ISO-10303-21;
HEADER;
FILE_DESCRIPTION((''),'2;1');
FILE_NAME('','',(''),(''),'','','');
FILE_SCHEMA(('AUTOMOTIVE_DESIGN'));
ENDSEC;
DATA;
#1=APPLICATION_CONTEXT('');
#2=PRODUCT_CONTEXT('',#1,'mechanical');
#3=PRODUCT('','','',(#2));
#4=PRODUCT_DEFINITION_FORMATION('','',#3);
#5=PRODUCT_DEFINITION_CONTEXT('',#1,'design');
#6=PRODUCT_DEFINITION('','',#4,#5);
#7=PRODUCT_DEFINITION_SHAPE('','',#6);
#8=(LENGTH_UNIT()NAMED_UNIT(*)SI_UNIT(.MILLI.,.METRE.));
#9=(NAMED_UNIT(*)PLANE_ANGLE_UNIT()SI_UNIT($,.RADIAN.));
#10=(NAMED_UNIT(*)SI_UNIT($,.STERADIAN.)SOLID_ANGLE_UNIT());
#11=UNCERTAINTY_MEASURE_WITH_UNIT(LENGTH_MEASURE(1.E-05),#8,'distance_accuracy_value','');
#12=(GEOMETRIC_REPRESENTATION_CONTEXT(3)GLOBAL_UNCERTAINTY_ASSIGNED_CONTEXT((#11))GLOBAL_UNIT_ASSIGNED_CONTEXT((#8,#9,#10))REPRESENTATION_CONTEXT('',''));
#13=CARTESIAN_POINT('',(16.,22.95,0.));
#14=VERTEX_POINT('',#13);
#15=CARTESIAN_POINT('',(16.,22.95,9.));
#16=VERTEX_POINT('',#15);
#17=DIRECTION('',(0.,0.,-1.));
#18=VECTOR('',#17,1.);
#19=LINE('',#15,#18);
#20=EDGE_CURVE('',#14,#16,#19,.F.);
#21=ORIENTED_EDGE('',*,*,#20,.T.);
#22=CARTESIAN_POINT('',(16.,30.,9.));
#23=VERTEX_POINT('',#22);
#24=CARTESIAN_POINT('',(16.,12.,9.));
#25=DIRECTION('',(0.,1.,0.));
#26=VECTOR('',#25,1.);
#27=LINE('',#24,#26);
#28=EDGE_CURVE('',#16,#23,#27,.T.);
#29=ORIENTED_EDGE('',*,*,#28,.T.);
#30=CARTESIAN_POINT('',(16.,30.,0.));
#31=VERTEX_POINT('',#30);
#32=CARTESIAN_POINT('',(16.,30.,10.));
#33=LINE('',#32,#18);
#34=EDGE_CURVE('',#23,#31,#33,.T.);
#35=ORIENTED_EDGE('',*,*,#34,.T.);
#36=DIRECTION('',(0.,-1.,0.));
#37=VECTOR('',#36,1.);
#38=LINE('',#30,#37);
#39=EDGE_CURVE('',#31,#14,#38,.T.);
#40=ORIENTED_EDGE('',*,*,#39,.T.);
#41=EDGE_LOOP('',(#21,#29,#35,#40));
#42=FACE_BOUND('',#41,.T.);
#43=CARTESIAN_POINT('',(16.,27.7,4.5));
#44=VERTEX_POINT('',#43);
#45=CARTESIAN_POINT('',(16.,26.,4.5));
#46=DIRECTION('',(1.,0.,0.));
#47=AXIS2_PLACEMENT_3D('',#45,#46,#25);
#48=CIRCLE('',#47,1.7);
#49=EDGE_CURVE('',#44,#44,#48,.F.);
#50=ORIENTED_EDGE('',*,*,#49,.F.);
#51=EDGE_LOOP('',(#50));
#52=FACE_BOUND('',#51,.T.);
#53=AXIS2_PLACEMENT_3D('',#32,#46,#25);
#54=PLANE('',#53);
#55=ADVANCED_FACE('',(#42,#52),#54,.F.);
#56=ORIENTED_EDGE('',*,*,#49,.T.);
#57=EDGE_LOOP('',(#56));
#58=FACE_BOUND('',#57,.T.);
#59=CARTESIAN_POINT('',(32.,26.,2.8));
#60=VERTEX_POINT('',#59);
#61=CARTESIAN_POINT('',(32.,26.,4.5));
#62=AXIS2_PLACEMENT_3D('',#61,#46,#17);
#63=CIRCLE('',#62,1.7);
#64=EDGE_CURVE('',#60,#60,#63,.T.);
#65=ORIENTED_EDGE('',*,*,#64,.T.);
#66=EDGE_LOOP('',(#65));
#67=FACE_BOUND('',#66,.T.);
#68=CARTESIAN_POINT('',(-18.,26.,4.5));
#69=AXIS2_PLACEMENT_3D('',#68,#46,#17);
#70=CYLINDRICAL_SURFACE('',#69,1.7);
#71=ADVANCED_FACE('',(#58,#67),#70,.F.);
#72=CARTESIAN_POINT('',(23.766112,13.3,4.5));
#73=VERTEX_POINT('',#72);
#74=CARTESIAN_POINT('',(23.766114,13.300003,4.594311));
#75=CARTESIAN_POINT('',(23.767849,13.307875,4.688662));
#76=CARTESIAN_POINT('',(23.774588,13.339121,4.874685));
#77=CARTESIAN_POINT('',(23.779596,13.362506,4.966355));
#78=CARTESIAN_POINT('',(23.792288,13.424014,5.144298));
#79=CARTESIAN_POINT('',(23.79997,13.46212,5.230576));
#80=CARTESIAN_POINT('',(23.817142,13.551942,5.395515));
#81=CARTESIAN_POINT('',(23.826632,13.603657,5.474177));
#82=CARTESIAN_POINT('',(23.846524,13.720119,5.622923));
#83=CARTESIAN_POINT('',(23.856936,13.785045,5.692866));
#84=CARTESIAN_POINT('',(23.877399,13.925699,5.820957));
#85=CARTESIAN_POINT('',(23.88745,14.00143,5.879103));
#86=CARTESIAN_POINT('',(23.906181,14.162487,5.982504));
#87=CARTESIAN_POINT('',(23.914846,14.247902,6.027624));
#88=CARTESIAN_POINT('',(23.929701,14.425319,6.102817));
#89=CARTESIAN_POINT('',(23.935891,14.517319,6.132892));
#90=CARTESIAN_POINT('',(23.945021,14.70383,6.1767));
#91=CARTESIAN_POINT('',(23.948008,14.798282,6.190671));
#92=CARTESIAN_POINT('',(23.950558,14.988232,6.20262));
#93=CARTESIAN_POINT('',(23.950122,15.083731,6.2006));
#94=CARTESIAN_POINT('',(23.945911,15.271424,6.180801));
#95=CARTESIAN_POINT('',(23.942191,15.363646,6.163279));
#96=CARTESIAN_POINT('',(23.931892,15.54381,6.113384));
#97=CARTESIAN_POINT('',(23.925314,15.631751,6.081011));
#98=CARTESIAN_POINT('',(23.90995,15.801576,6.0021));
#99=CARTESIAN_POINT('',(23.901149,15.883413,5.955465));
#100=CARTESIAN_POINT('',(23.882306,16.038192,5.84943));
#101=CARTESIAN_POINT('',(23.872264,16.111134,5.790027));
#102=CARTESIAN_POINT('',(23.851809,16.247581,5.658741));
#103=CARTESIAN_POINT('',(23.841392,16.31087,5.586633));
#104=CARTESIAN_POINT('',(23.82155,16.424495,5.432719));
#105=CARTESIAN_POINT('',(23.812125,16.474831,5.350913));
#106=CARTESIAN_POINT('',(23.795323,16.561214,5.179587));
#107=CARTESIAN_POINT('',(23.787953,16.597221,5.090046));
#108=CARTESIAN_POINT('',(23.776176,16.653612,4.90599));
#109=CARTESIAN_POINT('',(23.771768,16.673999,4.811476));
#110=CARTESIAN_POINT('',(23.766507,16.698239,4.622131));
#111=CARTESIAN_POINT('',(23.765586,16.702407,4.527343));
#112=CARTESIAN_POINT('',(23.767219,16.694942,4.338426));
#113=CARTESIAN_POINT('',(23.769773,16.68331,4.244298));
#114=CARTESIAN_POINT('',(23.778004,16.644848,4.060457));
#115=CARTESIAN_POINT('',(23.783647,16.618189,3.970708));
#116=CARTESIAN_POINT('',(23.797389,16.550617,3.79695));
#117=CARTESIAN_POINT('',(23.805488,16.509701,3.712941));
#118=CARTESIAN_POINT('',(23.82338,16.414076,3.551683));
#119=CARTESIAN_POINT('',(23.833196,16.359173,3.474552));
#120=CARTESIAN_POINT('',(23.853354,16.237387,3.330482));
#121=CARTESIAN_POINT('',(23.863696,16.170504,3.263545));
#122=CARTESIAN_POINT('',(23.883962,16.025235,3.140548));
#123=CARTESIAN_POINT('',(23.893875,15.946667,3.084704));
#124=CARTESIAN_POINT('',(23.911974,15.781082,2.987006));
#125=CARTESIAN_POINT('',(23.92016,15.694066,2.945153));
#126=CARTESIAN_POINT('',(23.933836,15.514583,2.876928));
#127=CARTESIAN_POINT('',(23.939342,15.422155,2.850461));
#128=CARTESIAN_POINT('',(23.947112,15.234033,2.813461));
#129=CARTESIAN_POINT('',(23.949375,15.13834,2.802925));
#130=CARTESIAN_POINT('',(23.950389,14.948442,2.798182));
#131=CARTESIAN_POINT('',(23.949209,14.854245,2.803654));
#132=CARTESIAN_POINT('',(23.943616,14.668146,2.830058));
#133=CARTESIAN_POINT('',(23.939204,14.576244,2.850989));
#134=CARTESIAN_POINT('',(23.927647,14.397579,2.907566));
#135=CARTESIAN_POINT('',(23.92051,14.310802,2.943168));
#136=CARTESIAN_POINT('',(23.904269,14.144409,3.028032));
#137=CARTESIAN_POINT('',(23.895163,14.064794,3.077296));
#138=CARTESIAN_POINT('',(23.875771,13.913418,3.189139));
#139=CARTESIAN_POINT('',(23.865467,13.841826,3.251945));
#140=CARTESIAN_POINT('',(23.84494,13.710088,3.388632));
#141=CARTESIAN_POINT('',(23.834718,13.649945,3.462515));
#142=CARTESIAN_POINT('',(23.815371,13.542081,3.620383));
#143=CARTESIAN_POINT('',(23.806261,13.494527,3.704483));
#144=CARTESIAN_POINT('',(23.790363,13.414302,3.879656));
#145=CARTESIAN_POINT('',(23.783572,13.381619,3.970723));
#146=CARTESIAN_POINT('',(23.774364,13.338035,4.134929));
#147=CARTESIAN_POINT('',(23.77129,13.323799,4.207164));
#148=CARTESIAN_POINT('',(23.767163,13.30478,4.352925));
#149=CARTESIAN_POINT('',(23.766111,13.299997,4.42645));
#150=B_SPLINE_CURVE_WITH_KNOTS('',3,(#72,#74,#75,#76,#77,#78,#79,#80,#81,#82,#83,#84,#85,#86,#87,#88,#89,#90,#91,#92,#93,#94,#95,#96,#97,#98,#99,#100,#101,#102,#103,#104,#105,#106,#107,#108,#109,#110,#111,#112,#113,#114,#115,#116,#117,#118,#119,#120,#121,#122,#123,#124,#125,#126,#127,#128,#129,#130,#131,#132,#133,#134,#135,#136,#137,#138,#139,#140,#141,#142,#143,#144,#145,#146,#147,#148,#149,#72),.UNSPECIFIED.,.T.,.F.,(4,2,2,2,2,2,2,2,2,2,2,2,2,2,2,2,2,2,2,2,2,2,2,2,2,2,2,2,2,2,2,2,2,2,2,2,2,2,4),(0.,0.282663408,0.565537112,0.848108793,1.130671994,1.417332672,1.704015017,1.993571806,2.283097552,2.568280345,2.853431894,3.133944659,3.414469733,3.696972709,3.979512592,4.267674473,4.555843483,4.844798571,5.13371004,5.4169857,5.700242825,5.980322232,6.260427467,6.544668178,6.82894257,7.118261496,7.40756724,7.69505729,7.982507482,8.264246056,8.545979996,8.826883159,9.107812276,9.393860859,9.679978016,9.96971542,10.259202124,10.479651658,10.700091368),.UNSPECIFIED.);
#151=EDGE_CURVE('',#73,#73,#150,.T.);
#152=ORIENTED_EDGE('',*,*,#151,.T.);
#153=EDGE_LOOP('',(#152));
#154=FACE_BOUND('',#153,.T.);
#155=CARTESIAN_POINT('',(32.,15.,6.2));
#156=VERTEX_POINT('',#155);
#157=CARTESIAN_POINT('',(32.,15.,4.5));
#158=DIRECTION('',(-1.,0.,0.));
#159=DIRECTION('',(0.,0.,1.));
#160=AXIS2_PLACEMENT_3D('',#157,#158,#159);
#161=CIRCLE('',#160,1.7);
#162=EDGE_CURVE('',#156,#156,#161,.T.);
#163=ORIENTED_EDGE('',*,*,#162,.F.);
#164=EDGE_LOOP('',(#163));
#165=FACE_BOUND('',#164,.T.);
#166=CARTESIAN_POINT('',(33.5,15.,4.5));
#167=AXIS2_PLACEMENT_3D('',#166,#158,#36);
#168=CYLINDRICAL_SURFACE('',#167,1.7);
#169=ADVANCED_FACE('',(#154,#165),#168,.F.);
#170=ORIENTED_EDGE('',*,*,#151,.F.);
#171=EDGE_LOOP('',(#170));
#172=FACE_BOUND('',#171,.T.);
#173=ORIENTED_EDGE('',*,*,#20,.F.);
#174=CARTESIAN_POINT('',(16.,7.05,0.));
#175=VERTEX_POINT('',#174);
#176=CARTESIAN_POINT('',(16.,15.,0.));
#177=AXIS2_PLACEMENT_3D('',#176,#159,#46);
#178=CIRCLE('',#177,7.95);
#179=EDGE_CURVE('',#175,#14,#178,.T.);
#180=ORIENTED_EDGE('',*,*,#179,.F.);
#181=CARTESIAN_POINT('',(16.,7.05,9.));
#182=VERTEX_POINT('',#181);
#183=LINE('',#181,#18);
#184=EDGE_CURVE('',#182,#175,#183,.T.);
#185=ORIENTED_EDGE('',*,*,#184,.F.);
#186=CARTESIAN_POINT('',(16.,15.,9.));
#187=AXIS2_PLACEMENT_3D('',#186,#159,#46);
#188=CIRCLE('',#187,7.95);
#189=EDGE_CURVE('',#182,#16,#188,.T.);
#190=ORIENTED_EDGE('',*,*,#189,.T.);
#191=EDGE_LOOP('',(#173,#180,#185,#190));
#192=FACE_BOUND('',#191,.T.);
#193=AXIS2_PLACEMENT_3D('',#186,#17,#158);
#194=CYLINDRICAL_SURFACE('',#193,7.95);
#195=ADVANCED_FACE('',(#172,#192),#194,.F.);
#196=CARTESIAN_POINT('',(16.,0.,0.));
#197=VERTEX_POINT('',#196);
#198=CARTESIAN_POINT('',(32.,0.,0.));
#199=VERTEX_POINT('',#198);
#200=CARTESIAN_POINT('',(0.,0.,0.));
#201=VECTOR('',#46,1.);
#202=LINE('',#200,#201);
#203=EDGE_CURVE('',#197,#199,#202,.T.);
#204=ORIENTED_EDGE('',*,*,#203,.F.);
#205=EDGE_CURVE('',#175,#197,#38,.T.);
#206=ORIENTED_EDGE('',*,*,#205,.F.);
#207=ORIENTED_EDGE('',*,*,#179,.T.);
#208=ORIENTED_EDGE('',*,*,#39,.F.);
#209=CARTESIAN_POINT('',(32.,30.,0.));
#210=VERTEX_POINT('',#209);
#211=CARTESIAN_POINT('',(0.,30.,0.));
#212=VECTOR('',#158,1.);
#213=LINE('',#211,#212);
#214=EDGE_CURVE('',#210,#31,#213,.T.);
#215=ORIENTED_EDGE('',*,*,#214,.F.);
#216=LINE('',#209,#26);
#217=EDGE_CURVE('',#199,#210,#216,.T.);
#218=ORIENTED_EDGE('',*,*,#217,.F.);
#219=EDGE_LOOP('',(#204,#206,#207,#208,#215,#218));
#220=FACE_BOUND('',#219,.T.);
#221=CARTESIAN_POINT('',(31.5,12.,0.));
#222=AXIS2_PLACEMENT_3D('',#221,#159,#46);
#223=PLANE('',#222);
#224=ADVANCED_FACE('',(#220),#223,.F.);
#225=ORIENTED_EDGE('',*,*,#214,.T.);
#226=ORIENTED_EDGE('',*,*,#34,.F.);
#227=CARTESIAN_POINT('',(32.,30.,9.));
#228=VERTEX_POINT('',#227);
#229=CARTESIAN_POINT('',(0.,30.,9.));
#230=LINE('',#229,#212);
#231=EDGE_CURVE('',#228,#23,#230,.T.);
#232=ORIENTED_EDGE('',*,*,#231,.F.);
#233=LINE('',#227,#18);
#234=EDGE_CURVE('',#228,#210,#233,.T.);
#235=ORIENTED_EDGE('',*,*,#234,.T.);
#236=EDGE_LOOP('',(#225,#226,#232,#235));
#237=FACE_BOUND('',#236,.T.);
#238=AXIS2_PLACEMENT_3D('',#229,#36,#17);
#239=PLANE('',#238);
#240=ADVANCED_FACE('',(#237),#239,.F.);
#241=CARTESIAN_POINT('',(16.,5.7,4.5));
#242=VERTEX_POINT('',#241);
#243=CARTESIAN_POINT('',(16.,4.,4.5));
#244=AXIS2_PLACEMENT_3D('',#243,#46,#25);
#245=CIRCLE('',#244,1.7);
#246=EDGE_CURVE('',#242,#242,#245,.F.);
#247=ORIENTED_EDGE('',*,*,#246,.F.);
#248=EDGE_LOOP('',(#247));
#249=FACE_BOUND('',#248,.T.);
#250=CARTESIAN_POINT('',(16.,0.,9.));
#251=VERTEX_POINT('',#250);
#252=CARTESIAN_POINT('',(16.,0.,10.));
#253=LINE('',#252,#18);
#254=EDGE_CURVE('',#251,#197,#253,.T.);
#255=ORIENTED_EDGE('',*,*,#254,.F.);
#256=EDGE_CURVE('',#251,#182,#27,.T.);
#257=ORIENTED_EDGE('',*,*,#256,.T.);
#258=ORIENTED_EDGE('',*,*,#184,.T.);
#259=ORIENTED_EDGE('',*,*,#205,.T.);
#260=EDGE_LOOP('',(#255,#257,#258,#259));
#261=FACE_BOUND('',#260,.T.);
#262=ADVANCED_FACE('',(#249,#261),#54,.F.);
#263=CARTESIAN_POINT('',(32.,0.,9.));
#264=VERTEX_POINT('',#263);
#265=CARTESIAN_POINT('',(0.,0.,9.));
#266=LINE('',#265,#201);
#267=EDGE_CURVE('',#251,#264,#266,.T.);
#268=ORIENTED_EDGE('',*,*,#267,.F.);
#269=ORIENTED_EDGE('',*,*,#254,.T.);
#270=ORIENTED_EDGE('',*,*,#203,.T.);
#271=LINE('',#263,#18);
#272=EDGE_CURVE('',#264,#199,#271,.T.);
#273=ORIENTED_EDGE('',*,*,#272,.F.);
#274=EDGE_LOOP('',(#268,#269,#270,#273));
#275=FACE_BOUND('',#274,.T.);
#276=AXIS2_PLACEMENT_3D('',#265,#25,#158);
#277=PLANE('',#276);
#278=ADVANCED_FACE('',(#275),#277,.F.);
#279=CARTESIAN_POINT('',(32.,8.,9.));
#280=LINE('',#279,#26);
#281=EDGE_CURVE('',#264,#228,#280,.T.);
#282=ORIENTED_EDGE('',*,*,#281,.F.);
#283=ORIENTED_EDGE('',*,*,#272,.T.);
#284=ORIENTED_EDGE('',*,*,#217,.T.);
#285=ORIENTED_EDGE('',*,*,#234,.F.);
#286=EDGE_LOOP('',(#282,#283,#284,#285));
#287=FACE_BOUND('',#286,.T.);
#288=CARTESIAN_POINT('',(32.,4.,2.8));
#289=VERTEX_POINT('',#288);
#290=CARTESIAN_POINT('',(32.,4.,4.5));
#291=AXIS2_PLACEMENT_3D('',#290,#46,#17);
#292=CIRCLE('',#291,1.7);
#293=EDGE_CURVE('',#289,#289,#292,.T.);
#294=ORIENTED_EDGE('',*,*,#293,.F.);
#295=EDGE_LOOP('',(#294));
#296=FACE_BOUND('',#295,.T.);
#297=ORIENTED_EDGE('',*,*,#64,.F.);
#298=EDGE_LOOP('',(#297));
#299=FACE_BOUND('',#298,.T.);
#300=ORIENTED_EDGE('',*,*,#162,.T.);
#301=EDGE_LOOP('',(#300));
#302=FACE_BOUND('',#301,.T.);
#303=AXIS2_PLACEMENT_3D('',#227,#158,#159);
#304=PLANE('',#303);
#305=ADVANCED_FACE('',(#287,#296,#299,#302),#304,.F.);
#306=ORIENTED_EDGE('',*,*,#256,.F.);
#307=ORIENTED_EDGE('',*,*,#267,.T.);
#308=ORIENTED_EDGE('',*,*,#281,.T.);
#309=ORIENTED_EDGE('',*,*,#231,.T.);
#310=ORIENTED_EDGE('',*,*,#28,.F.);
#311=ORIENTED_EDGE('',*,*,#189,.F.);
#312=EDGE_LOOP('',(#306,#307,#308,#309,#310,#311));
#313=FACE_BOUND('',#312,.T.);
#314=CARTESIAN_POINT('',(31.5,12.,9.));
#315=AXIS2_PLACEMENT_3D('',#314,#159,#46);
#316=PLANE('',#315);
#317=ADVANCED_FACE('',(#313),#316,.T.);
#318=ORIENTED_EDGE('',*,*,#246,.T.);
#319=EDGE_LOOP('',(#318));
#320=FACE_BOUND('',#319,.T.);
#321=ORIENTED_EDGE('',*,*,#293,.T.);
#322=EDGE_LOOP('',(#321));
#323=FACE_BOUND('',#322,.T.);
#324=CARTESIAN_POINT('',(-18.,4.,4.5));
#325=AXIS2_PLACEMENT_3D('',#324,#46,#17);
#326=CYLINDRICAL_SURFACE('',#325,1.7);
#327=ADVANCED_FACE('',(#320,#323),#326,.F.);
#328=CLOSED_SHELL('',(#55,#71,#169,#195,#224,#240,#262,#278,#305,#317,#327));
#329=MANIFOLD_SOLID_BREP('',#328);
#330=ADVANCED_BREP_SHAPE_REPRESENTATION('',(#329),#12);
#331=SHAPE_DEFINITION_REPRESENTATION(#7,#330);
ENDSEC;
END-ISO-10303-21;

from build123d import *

# Parameters (mm, degrees)
IZIM1_R                     = 7.95
Y_KSEKLIK_EKSTR_ZYON1_DEPTH = 9
IZIM2_R                     = 1.7
KES_EKSTR_ZYON1_DEPTH       = 50
IZIM3_R                     = 1.7
KES_EKSTR_ZYON2_DEPTH       = 29
KES_EKSTR_ZYON3_DEPTH       = 10
Y_KSEKLIK_EKSTR_ZYON2_REACH = 46.777
IZIM5_W                     = 5.408103146
IZIM5_H                     = 14.931073895
IZIM6_R                     = 1.7
KES_EKSTR_ZYON4_DEPTH       = 10


with BuildPart() as part:
    # Çizim1 → Yükseklik-Ekstrüzyon1 (new body)
    with BuildSketch(Plane.XY):
        with BuildLine():
            Line((0, 0), (32, 0))
            Line((32, 0), (32, 8))
            Line((32, 8), (31.5, 8))
            ThreePointArc((31.5, 8), (28.671572875, 9.171572875), (27.5, 12))
            Line((27.5, 12), (27.5, 18))
            ThreePointArc((27.5, 18), (28.671572875, 20.828427125), (31.5, 22))
            Line((31.5, 22), (32, 22))
            Line((32, 22), (32, 30))
            Line((32, 30), (0, 30))
            Line((0, 30), (0, 22))
            Line((0, 22), (0.5, 22))
            ThreePointArc((0.5, 22), (3.328427125, 20.828427125), (4.5, 18))
            Line((4.5, 18), (4.5, 12))
            ThreePointArc((4.5, 12), (3.328427125, 9.171572875), (0.5, 8))
            Line((0.5, 8), (0, 8))
            Line((0, 8), (0, 0))
        make_face()
        with Locations((16, 15)):
            Circle(IZIM1_R, mode=Mode.SUBTRACT)
    extrude(amount=Y_KSEKLIK_EKSTR_ZYON1_DEPTH)

    # Çizim2 → Kes-Ekstrüzyon1 (cut)
    with BuildSketch(Plane(origin=(32, 0, 0), x_dir=(0, 0, -1), z_dir=(1, 0, 0))):
        with Locations((-4.5, 4)):
            Circle(IZIM2_R)
        with Locations((-4.5, 26)):
            Circle(IZIM2_R)
    extrude(amount=-KES_EKSTR_ZYON1_DEPTH, mode=Mode.SUBTRACT)

    # Çizim3 → Kes-Ekstrüzyon2 (cut)
    with BuildSketch(Plane.ZY.offset(-4.5)):
        with Locations(Location((4.5, 15, 0), (0, 0, 270))):
            Circle(IZIM3_R)
    extrude(amount=-KES_EKSTR_ZYON2_DEPTH, mode=Mode.SUBTRACT)

    # Çizim4 → Kes-Ekstrüzyon3 (cut)
    with BuildSketch(Plane(origin=(0, 0, 0), x_dir=(-1, 0, 0), z_dir=(0, 0, -1))):
        Polygon((-16, 30), (-16, 0), (9.241069926, -10.278514345), (11.843794838, 24.557008953), (11.843794838, 39.531622814), align=None)
    extrude(amount=-KES_EKSTR_ZYON3_DEPTH, mode=Mode.SUBTRACT)

    # Yükseklik-Ekstrüzyon2: up to this face of the body (flat: up to its plane)
    y_kseklik_ekstr_zyon2_end = Plane(part.part.faces().sort_by_distance((24.391799767, 15, 9))[0])
    # Çizim5 → Yükseklik-Ekstrüzyon2 (add, up to the picked face)
    with BuildSketch(Plane(origin=(0, 0, 0), x_dir=(-1, 0, 0), z_dir=(0, 0, -1)), mode=Mode.PRIVATE) as y_kseklik_ekstr_zyon2_sk1:
        with Locations((-29.295948427, 14.534463052)):
            Rectangle(IZIM5_W, IZIM5_H)
    y_kseklik_ekstr_zyon2_tool1 = split(extrude(y_kseklik_ekstr_zyon2_sk1.sketch, amount=-Y_KSEKLIK_EKSTR_ZYON2_REACH, mode=Mode.PRIVATE), bisect_by=y_kseklik_ekstr_zyon2_end, keep=Keep.BOTH, mode=Mode.PRIVATE)
    add(y_kseklik_ekstr_zyon2_tool1.solids().sort_by(Axis((29.295948, 14.534463, 0), (0, 0, 1)))[0])

    # Çizim6 → Kes-Ekstrüzyon4 (cut)
    with BuildSketch(Plane.ZY.offset(-26.591896854)):
        with Locations(Location((4.5, 15, 0), (0, 0, 270))):
            Circle(IZIM6_R)
    extrude(amount=-KES_EKSTR_ZYON4_DEPTH, mode=Mode.SUBTRACT)


solid = part.part
